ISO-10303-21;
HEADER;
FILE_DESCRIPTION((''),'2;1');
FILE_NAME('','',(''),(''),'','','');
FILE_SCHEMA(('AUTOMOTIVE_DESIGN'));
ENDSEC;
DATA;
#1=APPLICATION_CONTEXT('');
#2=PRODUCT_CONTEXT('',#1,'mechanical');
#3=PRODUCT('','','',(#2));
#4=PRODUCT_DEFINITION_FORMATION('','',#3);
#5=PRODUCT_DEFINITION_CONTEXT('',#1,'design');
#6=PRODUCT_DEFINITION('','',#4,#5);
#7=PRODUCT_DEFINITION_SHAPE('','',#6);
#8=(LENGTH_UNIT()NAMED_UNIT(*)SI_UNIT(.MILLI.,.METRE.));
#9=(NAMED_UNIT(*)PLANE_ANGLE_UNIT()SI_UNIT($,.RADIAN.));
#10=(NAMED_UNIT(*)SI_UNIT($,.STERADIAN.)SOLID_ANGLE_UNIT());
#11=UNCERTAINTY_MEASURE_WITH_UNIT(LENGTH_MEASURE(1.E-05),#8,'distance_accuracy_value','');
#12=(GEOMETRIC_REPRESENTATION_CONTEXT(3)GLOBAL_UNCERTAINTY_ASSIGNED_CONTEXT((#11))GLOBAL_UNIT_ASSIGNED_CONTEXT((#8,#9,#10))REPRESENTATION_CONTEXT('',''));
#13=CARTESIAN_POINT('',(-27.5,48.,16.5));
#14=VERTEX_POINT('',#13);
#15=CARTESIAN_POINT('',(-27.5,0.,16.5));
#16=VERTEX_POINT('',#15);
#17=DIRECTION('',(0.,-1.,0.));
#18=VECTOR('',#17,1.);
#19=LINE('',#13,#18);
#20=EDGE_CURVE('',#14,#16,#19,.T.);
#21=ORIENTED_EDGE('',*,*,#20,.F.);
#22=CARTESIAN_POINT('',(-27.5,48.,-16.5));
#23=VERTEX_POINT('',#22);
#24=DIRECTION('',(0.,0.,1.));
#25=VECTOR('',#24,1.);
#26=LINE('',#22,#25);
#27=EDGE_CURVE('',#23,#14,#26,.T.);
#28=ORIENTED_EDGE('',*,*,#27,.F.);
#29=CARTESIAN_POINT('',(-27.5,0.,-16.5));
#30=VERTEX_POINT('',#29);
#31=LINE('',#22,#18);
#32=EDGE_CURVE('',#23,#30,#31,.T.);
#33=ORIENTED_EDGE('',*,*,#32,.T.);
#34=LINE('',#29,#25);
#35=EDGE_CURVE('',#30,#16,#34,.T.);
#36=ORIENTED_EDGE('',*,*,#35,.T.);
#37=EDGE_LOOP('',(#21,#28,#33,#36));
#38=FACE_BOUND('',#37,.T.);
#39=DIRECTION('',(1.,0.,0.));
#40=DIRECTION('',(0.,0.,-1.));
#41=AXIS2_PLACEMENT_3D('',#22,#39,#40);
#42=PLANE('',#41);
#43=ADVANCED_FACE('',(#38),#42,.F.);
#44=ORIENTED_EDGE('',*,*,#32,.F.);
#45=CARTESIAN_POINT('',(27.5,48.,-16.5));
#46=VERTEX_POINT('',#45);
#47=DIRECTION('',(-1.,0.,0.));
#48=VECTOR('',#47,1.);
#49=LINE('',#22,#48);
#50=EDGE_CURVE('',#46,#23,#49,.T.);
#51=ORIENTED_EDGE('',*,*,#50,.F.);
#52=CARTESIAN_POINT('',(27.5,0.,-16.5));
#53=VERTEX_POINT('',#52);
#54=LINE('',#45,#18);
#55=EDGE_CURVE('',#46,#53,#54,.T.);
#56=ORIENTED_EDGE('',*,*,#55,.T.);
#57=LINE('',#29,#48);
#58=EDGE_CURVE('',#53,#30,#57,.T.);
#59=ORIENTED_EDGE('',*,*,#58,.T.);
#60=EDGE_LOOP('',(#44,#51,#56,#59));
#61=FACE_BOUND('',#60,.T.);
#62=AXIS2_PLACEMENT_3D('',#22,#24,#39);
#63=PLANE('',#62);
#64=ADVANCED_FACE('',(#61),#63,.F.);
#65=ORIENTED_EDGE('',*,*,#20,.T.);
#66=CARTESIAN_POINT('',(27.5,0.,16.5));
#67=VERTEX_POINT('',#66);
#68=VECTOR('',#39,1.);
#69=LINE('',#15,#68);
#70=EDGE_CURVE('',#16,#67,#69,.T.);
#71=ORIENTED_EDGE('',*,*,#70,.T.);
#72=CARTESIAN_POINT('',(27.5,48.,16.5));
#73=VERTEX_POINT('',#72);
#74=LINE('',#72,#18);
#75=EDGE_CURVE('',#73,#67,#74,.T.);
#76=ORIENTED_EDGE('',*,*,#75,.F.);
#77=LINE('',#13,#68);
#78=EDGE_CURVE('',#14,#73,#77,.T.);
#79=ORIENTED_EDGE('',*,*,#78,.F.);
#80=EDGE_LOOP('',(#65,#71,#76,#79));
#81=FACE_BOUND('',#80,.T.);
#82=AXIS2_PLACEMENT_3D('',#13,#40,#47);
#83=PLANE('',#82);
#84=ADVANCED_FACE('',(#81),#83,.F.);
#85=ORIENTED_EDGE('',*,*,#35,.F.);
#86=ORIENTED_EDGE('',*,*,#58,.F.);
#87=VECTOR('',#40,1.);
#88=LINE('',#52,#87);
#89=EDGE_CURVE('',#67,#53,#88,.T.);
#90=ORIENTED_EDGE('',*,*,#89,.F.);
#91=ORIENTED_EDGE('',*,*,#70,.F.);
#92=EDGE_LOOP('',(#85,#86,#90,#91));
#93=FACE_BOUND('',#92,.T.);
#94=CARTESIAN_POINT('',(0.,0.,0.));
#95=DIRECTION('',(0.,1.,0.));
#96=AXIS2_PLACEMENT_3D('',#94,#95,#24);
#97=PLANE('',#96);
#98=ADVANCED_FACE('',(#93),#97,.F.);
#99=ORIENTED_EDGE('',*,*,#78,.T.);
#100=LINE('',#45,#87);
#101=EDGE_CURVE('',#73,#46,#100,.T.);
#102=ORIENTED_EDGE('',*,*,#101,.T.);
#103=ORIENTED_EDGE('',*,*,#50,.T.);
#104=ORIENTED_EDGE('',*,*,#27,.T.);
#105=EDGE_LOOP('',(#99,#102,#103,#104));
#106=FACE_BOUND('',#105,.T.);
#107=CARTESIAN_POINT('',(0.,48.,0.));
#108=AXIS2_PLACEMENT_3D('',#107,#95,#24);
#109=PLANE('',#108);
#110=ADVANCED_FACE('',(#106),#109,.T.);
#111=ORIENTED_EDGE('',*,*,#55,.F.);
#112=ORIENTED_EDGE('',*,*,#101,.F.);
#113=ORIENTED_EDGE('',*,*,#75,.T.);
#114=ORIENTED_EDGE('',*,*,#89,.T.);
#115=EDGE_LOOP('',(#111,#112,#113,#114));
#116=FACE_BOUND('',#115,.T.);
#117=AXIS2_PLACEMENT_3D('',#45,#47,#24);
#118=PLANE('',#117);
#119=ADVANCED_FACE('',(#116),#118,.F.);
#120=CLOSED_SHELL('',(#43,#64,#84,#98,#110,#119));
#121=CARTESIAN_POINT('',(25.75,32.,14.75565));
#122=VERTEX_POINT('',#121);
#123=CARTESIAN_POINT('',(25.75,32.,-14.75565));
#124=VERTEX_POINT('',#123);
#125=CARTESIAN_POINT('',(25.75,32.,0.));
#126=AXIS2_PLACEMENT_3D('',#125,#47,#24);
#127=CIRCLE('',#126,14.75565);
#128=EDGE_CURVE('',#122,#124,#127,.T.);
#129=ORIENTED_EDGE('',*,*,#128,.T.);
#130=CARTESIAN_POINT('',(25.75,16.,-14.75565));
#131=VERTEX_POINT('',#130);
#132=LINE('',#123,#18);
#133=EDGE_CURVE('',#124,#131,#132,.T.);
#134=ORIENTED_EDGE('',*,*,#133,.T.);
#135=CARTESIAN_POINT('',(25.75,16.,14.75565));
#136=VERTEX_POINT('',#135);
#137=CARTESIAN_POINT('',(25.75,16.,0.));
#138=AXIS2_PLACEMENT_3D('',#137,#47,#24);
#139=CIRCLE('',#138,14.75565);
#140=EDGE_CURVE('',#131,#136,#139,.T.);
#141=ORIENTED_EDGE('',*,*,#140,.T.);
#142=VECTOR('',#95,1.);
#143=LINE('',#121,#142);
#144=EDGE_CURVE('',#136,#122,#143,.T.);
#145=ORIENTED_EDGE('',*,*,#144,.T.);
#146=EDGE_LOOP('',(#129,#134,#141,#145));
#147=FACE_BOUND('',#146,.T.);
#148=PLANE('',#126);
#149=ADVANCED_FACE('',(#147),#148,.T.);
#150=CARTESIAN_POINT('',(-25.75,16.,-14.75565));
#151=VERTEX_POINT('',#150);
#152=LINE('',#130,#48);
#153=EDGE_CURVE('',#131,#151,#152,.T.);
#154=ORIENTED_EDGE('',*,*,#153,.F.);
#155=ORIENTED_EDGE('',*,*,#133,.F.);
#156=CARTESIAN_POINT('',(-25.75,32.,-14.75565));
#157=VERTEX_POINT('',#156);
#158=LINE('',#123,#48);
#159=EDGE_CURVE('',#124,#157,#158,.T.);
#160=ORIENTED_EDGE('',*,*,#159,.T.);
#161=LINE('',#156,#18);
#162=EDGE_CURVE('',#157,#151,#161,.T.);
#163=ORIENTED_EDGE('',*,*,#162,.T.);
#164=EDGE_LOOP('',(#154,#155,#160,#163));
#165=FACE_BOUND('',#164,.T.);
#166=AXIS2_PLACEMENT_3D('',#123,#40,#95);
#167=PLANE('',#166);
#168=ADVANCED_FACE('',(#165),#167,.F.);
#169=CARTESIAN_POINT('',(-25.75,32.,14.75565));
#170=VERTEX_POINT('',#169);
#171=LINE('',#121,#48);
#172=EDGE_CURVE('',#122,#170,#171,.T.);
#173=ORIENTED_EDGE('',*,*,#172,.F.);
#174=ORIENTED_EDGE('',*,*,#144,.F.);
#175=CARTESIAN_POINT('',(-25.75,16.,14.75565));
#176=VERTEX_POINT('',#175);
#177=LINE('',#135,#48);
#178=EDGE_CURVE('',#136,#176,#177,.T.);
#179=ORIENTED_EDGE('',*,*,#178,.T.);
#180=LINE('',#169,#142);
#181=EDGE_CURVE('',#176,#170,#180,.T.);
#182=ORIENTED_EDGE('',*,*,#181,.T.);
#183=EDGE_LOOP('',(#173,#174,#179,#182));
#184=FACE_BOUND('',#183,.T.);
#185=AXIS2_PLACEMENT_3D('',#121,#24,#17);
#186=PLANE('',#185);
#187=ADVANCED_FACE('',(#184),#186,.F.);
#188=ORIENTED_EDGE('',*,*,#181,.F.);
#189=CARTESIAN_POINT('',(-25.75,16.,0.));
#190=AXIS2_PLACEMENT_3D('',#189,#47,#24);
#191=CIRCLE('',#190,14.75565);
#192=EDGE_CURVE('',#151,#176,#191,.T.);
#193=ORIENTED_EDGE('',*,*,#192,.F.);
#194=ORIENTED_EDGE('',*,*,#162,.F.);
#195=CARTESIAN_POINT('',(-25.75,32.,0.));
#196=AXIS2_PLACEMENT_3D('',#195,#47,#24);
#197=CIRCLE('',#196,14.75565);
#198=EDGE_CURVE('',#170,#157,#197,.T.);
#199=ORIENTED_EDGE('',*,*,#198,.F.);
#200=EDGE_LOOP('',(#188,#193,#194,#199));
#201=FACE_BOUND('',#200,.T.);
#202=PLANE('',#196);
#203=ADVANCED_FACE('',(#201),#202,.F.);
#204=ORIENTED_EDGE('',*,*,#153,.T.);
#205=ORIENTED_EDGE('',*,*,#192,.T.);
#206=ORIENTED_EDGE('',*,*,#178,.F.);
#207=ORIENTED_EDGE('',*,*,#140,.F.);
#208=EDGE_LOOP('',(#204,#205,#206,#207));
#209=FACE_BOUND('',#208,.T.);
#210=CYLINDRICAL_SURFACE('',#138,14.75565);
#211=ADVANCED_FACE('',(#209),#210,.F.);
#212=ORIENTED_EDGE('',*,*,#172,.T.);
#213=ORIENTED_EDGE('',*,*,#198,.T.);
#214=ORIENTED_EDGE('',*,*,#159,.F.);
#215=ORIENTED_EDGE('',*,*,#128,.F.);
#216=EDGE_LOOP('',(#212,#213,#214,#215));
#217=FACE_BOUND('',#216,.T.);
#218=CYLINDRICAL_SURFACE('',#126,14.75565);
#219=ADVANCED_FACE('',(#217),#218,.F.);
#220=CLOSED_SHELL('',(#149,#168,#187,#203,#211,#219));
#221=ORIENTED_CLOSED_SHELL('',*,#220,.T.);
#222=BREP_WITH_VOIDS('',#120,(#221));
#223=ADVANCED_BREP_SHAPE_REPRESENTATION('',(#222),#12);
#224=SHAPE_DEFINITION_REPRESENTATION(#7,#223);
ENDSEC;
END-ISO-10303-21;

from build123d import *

# Parameters (mm, degrees)
SKETCH1_W           = 55
SKETCH1_H           = 33
BOSS_EXTRUDE1_DEPTH = 48
CUT_EXTRUDE1_DEPTH  = 51.5


with BuildPart() as part:
    # Sketch1 → Boss-Extrude1 (new body)
    with BuildSketch(Plane(origin=(0, 0, 0), x_dir=(1, 0, 0), z_dir=(0, 1, 0))):
        Rectangle(SKETCH1_W, SKETCH1_H)
    extrude(amount=BOSS_EXTRUDE1_DEPTH)

    # Sketch2 → Cut-Extrude1 (cut)
    with BuildSketch(Plane.ZY.offset(25.75)):
        with BuildLine():
            Line((14.75565, 32), (14.75565, 16))
            ThreePointArc((14.75565, 16), (0, 1.24435), (-14.75565, 16))
            Line((-14.75565, 16), (-14.75565, 32))
            ThreePointArc((-14.75565, 32), (0, 46.75565), (14.75565, 32))
        make_face()
    extrude(amount=-CUT_EXTRUDE1_DEPTH, mode=Mode.SUBTRACT)


solid = part.part
